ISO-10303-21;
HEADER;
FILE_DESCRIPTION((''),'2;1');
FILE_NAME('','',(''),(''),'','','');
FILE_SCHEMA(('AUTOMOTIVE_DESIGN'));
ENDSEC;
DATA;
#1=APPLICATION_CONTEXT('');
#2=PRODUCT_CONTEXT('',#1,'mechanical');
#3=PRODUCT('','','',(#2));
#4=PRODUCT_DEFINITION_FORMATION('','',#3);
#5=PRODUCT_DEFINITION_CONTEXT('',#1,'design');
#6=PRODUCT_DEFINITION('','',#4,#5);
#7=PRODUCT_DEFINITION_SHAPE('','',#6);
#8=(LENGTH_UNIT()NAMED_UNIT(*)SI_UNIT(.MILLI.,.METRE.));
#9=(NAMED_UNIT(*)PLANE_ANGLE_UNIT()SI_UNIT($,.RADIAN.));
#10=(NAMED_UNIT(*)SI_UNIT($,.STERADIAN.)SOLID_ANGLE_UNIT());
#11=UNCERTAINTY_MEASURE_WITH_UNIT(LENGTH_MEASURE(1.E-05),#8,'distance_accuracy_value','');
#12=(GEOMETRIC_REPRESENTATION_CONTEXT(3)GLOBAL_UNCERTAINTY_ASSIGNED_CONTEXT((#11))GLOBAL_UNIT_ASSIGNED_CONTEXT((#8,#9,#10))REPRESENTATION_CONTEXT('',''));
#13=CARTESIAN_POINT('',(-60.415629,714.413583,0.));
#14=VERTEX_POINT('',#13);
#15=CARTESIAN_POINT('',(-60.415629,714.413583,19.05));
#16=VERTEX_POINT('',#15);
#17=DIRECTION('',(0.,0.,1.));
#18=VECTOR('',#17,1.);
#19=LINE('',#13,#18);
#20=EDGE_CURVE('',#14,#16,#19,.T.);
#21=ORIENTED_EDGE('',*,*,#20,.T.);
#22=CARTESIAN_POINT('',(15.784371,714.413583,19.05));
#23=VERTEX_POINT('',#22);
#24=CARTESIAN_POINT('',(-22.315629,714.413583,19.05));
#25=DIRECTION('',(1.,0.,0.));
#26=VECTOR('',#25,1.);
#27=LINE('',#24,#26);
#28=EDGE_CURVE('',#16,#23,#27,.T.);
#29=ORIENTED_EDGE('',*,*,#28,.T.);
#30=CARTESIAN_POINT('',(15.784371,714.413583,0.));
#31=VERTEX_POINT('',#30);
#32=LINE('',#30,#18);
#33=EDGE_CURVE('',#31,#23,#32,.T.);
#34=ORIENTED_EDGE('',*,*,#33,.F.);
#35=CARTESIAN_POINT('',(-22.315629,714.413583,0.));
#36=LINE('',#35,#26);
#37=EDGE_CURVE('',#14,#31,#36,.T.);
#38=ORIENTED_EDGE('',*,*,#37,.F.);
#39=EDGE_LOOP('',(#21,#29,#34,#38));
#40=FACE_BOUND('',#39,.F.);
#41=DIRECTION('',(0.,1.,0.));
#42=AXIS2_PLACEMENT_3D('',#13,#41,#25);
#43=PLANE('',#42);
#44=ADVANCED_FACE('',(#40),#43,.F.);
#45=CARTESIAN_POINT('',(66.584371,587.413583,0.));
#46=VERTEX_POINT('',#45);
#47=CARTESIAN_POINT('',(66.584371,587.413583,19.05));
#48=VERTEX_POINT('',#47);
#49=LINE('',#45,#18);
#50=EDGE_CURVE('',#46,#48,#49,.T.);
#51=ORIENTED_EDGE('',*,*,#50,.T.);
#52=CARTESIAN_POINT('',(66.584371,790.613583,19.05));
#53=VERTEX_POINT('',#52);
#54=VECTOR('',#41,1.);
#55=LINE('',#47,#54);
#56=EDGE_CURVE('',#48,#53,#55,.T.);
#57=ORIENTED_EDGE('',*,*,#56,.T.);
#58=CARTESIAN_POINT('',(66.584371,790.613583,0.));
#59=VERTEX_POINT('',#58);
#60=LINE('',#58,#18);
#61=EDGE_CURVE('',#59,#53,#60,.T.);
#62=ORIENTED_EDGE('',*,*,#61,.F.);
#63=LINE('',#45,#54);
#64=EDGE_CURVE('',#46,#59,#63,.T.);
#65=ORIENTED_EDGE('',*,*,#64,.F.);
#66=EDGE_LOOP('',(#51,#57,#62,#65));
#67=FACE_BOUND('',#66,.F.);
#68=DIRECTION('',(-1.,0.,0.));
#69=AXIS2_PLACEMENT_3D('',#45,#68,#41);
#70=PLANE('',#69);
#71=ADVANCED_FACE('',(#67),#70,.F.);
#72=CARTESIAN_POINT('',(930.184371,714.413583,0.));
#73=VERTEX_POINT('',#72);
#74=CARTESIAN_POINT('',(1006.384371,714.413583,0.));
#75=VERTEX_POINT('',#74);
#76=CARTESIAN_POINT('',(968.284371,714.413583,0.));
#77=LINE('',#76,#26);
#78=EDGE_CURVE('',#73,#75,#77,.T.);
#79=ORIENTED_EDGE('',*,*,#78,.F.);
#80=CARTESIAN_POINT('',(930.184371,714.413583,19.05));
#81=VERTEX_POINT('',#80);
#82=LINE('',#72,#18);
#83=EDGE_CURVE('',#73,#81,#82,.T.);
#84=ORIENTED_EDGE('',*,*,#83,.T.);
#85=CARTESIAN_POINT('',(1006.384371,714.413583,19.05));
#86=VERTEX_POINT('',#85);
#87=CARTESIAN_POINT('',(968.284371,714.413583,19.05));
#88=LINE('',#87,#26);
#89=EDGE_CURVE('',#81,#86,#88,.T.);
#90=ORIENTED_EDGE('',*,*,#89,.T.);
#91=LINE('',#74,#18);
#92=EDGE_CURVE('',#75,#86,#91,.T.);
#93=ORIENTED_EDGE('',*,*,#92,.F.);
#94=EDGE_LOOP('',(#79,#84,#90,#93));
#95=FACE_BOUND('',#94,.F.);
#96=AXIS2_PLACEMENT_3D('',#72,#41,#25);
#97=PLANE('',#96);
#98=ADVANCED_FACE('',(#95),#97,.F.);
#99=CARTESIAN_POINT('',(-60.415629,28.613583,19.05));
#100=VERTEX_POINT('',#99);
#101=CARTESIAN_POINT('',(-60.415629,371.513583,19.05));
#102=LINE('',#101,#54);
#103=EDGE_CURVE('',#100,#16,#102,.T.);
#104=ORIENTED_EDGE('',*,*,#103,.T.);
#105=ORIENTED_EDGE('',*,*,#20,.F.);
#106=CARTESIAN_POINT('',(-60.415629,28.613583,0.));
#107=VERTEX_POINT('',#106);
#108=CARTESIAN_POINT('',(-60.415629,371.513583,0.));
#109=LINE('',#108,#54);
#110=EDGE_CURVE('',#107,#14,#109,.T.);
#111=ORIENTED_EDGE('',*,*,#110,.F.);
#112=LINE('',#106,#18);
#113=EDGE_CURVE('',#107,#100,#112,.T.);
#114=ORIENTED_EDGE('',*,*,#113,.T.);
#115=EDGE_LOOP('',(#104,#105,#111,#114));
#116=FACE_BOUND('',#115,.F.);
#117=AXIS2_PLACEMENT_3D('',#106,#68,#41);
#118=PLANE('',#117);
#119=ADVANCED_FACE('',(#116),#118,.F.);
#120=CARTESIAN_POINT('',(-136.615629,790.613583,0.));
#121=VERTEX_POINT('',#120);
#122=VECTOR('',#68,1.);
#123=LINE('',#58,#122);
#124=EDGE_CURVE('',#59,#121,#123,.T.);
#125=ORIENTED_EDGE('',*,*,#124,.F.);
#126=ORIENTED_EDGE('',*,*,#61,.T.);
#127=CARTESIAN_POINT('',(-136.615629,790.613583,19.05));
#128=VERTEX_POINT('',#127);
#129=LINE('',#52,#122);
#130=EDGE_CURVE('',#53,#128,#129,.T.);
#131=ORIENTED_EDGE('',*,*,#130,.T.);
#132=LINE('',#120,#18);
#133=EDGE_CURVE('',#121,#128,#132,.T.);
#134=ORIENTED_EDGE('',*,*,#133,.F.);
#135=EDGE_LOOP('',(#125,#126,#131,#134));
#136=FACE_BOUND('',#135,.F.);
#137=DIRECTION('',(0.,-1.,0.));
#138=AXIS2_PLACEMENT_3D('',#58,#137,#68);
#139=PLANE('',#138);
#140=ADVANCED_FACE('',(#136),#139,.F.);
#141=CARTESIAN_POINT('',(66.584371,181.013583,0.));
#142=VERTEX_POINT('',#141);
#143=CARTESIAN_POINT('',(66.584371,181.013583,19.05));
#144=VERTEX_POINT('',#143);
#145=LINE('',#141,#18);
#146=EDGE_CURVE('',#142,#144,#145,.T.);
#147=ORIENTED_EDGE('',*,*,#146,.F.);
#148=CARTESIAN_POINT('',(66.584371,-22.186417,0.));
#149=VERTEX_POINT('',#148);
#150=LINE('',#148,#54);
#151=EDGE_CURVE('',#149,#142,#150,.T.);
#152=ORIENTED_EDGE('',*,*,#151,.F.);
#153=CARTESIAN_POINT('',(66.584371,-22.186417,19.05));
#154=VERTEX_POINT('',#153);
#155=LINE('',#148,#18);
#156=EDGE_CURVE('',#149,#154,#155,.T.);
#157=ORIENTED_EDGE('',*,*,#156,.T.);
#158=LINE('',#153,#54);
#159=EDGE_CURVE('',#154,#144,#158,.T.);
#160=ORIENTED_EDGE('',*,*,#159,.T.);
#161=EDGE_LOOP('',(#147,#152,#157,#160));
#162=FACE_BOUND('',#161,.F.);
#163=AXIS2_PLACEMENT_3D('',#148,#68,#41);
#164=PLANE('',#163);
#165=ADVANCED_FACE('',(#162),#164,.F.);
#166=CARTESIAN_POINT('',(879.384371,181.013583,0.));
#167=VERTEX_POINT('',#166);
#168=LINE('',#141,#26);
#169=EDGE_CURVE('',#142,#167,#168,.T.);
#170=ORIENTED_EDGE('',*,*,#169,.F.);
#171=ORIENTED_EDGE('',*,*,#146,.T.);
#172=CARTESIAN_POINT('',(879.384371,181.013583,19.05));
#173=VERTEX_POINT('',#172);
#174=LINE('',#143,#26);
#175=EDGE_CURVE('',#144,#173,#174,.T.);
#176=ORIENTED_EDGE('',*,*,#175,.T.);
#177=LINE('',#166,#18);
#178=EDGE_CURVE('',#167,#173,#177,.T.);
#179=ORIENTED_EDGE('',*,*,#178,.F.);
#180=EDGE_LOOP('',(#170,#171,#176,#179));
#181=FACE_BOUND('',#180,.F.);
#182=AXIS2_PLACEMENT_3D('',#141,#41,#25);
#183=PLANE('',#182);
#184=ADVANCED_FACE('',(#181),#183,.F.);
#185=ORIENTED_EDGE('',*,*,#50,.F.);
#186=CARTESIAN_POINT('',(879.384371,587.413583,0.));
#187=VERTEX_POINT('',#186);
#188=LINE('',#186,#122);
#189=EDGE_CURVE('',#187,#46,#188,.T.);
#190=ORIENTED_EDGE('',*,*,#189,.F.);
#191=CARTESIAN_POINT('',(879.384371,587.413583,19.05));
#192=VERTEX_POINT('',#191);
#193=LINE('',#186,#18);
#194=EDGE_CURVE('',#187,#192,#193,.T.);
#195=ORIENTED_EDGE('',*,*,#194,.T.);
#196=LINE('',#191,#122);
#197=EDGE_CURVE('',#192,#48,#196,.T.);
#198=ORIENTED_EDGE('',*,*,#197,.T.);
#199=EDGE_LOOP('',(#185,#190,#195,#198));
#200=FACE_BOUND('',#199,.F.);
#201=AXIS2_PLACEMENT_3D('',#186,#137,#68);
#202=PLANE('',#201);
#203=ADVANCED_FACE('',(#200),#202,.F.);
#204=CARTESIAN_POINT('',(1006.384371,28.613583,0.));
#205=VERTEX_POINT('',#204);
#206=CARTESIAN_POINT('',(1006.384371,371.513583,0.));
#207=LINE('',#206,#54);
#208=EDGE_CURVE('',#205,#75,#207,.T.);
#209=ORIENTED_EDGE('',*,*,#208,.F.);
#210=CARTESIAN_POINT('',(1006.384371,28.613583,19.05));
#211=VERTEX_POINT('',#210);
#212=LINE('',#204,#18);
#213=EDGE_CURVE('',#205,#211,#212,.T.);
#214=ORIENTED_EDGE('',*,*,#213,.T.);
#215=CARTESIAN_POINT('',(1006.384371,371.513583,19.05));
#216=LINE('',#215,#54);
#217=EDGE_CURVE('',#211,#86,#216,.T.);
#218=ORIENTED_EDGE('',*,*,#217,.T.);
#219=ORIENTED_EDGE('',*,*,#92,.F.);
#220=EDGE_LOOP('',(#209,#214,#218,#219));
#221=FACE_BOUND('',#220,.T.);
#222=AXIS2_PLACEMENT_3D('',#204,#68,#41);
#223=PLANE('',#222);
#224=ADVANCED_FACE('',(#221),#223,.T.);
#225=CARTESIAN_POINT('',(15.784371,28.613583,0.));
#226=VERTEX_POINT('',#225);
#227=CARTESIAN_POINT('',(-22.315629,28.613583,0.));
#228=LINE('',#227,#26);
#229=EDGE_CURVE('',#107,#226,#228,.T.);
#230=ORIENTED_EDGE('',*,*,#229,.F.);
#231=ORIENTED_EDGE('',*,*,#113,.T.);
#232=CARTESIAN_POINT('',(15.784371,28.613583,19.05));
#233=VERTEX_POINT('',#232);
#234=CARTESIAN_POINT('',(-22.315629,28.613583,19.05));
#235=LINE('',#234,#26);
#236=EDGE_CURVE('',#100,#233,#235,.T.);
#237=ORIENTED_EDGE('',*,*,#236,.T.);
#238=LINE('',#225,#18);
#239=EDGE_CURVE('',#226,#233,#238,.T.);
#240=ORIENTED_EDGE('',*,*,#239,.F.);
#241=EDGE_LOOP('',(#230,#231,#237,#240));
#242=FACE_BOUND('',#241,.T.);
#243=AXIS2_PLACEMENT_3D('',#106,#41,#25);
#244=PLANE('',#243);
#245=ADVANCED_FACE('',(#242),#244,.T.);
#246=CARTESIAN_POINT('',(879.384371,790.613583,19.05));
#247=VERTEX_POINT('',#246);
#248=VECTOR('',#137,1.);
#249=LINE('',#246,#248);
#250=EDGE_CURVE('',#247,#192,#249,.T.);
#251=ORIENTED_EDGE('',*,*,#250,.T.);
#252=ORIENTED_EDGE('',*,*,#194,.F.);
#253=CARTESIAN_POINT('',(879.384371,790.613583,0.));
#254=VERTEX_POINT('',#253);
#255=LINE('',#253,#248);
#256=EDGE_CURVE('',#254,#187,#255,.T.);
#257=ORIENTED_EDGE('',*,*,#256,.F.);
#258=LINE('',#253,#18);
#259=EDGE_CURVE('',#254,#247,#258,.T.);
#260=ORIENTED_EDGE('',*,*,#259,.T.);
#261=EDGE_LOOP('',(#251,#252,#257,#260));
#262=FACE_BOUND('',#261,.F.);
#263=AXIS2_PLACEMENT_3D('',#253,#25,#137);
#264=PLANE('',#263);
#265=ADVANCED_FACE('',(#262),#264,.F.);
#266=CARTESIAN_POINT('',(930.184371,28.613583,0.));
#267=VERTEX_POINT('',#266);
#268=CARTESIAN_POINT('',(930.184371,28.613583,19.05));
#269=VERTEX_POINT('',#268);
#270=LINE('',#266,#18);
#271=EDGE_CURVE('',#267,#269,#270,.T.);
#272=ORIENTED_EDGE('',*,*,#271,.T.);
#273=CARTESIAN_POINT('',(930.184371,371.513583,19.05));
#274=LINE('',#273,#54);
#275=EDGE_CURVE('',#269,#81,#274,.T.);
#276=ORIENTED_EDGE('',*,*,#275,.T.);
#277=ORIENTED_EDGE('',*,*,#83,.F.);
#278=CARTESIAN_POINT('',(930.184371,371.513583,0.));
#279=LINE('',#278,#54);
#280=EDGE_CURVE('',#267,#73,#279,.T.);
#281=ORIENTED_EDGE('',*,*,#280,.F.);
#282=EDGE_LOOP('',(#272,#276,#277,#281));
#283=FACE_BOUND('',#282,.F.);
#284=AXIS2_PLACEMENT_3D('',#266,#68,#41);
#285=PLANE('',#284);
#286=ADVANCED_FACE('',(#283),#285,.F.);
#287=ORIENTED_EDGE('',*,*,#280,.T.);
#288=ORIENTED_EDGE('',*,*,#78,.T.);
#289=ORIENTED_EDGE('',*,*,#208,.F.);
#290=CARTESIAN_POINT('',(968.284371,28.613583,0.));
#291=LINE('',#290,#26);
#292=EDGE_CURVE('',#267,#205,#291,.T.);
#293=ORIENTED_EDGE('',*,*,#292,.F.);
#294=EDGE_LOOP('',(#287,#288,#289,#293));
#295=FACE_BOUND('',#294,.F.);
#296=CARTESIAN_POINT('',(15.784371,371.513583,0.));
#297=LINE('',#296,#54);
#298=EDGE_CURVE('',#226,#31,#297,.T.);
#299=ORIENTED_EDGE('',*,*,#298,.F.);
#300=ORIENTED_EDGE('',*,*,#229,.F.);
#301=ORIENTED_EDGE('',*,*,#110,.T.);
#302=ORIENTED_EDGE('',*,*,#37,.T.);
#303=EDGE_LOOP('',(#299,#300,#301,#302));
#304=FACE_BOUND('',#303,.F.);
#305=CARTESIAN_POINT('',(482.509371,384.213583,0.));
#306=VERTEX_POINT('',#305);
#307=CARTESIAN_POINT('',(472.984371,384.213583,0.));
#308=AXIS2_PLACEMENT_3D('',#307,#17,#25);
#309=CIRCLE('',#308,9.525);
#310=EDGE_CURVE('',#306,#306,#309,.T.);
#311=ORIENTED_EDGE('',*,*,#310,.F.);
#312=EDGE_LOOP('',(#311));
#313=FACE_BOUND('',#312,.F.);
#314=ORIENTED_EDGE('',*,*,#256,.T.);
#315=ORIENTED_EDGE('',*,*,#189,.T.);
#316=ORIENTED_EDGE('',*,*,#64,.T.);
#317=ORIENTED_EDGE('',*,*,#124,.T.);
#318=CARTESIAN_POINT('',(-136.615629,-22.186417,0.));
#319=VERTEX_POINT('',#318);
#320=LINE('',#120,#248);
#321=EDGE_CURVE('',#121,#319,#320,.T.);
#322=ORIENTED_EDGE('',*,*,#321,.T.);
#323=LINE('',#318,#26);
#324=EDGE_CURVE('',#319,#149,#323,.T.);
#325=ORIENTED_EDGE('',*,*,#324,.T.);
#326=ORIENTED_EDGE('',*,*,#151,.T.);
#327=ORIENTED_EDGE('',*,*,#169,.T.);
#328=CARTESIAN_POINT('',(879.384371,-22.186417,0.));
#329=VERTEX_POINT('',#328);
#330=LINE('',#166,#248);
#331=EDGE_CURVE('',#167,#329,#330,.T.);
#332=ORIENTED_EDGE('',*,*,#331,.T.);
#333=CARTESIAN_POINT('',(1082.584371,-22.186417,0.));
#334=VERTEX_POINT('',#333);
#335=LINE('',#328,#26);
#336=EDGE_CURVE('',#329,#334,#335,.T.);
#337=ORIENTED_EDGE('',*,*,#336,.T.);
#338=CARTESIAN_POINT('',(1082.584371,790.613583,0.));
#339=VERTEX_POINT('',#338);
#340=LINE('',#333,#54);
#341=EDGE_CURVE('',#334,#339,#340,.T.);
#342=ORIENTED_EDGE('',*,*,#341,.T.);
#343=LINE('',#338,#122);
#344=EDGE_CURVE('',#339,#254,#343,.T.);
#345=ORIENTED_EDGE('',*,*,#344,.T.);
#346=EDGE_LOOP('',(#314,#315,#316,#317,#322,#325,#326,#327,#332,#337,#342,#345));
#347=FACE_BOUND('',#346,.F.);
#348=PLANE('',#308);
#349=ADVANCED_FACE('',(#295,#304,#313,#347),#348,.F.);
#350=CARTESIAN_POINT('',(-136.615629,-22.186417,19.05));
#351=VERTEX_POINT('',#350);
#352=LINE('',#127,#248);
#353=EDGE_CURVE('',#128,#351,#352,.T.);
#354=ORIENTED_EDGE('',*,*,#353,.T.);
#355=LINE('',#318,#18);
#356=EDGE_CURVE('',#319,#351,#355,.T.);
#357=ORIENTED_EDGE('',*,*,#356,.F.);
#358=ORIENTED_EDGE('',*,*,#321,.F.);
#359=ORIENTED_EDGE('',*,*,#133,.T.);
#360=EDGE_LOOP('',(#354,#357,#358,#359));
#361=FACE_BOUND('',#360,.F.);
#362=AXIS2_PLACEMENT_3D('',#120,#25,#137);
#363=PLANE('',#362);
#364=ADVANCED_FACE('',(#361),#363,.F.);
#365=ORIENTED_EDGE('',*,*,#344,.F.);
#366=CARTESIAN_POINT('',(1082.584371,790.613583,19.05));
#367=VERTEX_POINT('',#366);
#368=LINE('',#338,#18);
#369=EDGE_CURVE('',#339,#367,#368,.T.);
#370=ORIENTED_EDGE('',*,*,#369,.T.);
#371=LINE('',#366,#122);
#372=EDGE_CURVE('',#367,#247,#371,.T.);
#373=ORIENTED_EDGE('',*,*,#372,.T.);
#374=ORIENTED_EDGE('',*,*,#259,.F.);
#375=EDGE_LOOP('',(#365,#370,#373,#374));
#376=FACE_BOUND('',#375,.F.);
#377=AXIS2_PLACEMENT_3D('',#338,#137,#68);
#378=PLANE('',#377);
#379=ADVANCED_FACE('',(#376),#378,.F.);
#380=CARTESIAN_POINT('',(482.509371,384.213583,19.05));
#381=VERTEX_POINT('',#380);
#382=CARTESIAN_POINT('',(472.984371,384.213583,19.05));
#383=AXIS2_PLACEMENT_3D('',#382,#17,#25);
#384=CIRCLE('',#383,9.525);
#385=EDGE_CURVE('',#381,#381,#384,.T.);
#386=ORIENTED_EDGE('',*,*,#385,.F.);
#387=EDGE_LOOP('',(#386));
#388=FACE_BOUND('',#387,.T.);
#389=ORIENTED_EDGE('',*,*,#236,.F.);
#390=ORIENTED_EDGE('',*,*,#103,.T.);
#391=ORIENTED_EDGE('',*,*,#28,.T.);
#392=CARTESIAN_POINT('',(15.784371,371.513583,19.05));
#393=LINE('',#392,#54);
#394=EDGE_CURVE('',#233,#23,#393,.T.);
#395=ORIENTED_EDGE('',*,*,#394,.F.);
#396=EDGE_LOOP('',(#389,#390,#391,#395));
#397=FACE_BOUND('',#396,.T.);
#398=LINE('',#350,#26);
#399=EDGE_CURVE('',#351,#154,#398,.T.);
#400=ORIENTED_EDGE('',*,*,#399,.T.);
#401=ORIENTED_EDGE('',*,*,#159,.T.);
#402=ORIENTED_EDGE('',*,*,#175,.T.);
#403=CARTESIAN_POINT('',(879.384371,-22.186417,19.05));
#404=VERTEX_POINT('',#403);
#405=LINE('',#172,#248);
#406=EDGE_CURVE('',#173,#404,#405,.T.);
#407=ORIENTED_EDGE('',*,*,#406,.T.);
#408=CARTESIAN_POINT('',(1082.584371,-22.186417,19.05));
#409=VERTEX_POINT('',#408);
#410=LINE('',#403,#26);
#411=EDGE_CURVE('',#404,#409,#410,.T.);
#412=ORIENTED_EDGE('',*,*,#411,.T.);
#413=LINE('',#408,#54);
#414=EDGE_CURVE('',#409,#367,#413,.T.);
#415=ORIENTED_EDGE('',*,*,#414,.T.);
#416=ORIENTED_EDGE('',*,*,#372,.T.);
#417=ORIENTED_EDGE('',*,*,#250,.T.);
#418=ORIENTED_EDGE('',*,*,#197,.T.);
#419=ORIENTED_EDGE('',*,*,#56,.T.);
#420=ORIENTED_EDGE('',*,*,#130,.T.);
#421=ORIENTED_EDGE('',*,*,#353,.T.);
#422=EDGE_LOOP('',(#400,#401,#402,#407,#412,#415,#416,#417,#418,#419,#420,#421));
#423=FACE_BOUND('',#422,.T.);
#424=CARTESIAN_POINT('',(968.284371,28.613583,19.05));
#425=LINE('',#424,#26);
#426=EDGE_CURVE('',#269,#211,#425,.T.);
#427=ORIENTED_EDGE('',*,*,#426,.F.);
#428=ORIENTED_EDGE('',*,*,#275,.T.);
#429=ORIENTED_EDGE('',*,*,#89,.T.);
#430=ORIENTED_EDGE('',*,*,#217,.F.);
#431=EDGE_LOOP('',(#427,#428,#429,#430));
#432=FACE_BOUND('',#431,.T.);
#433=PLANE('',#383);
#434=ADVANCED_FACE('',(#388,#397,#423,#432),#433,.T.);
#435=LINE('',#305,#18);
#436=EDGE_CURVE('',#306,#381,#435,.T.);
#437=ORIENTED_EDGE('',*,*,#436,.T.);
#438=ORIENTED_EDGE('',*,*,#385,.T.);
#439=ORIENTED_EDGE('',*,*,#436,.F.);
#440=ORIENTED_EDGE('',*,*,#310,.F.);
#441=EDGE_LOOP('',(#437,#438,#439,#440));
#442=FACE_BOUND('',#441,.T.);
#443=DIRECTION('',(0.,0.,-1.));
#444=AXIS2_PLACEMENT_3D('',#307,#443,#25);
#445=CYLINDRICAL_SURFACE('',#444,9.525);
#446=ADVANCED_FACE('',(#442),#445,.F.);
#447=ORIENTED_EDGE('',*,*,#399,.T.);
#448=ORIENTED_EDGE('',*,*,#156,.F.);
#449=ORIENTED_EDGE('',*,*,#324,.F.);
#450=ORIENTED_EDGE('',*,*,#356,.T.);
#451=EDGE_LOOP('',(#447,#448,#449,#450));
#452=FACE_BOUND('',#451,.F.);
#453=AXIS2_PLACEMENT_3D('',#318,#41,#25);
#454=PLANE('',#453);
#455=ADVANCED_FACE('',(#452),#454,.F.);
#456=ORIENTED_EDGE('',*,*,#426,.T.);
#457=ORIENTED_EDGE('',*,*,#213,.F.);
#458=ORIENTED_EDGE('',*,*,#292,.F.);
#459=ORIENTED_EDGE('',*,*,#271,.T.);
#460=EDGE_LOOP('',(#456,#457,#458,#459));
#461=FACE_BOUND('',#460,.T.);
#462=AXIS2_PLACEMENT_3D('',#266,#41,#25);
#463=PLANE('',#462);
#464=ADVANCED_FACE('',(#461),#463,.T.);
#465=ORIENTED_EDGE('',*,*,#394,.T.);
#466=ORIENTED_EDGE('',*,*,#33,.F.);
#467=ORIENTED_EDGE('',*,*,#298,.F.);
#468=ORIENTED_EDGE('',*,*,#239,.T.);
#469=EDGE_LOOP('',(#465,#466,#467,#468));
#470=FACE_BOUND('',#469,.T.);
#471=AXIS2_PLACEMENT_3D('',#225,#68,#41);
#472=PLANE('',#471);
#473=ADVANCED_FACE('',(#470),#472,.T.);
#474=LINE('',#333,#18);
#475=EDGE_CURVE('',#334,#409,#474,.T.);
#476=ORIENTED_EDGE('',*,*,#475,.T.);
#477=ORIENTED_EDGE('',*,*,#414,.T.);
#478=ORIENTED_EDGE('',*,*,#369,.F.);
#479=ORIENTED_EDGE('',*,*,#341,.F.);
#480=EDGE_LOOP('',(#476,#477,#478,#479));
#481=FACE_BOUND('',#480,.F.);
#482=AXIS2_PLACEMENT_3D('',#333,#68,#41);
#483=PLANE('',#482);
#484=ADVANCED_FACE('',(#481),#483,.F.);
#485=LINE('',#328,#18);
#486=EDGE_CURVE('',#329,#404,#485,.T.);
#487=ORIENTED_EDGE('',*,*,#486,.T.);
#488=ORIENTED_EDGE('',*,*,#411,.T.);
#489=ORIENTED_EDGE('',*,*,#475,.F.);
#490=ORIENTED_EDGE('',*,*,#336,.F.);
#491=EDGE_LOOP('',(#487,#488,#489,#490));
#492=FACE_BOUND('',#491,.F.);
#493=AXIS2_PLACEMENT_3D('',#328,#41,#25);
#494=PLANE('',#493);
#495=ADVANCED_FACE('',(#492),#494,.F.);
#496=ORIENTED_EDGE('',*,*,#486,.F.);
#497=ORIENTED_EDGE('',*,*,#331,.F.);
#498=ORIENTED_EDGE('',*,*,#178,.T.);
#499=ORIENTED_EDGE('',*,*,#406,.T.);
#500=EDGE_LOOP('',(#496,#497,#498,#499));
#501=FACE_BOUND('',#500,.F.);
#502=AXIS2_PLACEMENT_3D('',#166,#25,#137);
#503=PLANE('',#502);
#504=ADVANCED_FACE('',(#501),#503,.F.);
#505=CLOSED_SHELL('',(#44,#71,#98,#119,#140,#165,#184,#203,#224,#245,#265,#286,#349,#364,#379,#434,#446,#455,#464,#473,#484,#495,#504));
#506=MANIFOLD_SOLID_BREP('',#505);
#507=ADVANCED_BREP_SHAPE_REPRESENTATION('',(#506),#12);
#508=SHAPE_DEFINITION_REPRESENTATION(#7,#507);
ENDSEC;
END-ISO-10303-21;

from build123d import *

# Parameters (mm, degrees)
F0_W     = 76.2
F0_H     = 685.8
F0_R     = 9.525
F1_DEPTH = 19.05


with BuildPart() as f1:
    # F0 (on Top) → F1 (new body)
    with BuildSketch(Plane.XY):
        Polygon((-136.615629, 790.613583), (-136.615629, -22.186417), (66.584371, -22.186417), (66.584371, 181.013583), (472.984371, 181.013583), (879.384371, 181.013583), (879.384371, -22.186417), (1082.584371, -22.186417), (1082.584371, 790.613583), (879.384371, 790.613583), (879.384371, 587.413583), (472.984371, 587.413583), (66.584371, 587.413583), (66.584371, 790.613583), align=None)
        with Locations((-22.315629, 371.513583)):
            Rectangle(F0_W, F0_H, mode=Mode.SUBTRACT)
        with Locations((472.984371, 384.213583)):
            Circle(F0_R, mode=Mode.SUBTRACT)
        with Locations((968.284371, 371.513583)):
            Rectangle(F0_W, F0_H, mode=Mode.SUBTRACT)
    extrude(amount=F1_DEPTH)


solid = f1.part
